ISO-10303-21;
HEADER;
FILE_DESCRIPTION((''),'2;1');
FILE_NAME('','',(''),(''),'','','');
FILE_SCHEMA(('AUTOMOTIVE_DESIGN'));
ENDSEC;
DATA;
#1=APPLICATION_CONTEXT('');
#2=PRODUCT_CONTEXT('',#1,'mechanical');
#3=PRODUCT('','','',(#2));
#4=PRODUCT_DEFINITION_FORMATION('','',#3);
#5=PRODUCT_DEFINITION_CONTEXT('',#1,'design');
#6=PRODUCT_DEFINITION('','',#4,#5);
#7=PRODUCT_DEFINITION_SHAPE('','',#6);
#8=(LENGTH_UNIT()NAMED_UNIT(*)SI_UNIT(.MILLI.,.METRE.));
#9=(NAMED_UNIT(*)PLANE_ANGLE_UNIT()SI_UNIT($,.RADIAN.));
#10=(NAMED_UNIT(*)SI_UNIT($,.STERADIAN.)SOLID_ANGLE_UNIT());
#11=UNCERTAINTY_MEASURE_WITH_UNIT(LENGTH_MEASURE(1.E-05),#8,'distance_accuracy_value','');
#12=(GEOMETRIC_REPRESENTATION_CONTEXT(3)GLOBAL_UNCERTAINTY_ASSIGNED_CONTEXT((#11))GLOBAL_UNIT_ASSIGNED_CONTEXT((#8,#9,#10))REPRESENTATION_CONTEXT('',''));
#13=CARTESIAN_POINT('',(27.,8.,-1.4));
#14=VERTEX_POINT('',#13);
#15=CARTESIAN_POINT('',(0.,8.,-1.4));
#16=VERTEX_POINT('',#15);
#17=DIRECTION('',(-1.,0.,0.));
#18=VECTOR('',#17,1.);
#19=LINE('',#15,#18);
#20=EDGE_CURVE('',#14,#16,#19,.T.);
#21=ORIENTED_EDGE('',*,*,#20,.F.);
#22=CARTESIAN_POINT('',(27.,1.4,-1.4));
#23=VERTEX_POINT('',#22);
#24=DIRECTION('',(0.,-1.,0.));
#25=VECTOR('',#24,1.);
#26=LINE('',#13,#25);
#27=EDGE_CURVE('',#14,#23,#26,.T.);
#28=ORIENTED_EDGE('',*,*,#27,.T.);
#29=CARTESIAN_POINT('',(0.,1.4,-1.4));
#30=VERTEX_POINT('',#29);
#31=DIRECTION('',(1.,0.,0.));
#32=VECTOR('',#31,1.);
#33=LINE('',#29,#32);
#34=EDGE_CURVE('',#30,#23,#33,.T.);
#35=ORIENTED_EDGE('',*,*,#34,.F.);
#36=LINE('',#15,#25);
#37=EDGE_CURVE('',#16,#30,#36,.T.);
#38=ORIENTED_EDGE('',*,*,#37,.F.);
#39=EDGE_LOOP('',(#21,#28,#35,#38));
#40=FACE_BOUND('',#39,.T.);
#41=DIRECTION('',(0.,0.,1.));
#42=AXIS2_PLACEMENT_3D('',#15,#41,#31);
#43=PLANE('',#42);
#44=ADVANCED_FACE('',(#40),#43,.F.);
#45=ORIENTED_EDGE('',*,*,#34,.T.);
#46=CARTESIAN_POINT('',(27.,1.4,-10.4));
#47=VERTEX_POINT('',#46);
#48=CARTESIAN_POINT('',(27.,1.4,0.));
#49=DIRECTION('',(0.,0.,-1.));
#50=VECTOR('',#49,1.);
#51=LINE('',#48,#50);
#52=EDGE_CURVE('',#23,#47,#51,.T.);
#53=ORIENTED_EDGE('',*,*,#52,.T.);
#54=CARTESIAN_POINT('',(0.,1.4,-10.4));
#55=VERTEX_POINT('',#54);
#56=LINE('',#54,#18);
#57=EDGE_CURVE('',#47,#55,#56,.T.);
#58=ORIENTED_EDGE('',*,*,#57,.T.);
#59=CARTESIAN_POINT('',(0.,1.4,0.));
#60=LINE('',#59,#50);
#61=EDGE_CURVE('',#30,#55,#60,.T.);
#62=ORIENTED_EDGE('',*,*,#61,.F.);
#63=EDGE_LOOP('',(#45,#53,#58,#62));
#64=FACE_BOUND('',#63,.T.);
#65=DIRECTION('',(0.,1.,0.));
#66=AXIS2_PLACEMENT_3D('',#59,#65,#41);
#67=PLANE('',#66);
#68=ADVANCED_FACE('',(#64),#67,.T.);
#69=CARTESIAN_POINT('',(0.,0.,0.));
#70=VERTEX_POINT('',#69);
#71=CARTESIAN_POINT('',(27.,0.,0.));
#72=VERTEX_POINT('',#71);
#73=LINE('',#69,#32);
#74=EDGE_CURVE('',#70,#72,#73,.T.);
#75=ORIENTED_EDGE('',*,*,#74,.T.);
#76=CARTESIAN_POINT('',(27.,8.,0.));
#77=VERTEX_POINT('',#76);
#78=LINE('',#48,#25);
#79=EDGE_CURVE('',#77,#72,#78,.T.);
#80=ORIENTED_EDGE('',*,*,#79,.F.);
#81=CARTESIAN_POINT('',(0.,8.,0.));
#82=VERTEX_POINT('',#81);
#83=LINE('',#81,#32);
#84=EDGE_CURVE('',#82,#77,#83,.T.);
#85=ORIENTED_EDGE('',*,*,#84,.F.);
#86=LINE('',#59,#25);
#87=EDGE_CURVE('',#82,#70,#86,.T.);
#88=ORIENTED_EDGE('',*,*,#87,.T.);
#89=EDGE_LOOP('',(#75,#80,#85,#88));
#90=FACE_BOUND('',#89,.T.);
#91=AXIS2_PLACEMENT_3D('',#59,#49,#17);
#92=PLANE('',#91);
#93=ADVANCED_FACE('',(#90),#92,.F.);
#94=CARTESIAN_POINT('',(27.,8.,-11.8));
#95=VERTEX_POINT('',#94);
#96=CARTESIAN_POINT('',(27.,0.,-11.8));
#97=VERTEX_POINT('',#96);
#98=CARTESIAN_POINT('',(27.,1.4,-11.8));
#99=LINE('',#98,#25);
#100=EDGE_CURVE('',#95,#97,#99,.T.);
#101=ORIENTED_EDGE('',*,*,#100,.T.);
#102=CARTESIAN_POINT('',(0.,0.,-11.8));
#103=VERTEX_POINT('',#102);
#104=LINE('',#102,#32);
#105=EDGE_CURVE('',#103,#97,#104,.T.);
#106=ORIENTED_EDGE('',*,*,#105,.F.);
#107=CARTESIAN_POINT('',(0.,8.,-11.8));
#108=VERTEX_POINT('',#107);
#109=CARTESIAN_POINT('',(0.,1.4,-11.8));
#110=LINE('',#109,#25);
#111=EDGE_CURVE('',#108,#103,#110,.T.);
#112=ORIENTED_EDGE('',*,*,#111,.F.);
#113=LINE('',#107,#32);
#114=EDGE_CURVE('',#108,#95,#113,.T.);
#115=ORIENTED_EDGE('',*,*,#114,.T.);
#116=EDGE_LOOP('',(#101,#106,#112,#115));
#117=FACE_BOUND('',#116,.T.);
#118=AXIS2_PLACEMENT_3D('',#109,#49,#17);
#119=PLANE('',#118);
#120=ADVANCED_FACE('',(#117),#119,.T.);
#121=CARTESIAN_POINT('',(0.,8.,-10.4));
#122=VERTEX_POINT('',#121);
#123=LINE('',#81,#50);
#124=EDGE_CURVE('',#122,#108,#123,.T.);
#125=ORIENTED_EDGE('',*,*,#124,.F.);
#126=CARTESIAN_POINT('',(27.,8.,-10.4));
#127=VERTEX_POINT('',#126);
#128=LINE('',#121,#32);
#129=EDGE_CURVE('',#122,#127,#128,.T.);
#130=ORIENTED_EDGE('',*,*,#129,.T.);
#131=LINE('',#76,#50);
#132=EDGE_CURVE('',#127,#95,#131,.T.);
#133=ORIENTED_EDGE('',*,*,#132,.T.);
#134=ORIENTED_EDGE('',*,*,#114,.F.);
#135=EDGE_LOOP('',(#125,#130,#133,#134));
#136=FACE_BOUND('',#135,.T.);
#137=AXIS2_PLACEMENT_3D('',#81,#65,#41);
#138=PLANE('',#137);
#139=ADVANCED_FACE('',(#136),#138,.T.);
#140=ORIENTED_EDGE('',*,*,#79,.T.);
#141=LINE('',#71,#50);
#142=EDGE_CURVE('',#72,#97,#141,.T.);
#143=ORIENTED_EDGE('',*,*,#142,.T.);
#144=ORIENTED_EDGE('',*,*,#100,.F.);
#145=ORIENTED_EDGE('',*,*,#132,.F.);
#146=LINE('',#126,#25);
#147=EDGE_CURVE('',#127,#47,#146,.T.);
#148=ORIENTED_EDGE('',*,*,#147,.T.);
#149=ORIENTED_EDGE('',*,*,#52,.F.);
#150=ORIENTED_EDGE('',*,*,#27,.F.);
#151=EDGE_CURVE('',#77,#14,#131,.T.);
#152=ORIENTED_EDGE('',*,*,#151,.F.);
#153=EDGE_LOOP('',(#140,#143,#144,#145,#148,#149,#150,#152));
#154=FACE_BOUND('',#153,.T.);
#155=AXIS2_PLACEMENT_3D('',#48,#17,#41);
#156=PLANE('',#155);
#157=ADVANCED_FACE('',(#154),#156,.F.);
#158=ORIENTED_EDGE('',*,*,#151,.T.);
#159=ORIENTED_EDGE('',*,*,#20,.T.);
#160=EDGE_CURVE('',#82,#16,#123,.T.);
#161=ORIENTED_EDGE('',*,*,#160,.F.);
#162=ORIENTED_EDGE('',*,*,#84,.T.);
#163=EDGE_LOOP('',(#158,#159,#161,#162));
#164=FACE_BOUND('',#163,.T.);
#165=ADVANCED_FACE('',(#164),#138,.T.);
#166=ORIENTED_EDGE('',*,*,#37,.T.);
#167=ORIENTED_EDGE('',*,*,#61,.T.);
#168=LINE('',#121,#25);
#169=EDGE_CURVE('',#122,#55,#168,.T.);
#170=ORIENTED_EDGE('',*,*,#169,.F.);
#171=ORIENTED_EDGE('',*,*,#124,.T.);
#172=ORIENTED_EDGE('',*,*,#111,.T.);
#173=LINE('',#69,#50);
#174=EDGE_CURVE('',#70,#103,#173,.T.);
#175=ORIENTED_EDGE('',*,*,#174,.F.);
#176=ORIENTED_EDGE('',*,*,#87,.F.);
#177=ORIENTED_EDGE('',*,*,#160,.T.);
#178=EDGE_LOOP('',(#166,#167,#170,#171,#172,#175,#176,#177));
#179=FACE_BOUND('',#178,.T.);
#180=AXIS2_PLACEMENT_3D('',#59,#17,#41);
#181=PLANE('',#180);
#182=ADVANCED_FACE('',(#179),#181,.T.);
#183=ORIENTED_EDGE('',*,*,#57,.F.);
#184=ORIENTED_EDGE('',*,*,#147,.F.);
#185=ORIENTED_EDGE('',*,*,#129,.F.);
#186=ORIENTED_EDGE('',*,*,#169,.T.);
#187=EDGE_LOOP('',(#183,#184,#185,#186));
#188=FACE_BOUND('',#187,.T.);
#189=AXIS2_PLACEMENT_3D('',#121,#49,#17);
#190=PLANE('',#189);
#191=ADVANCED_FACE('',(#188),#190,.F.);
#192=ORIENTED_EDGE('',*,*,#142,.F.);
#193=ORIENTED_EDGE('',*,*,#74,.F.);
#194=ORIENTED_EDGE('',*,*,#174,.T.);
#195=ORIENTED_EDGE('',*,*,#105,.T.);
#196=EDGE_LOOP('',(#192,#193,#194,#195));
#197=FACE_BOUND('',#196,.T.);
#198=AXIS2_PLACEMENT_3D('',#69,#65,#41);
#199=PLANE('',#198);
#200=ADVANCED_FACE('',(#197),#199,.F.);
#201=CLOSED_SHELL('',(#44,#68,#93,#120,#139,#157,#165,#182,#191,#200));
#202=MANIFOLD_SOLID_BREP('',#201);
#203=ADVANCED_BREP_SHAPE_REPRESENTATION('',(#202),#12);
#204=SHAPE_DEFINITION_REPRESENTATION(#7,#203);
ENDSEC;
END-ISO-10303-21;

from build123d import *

# Parameters (mm, degrees)
SKETCH_1_W      = 27
SKETCH_1_H      = 11.8
BOTTOM_DEPTH    = 1.4
SKETCH_1_3_W    = 27
SKETCH_1_3_H    = 1.4
EXTRUDE_2_DEPTH = 8


with BuildPart() as part:
    # Эскиз1 → Bottom (new body)
    with BuildSketch(Plane(origin=(0, 0, 0), x_dir=(1, 0, 0), z_dir=(0, 1, 0))):
        with Locations((13.5, 5.9)):
            Rectangle(SKETCH_1_W, SKETCH_1_H)
    extrude(amount=BOTTOM_DEPTH)

    # Эскиз1<3> → Бобышка-Вытянуть2 (add)
    with BuildSketch(Plane(origin=(0, 0, 0), x_dir=(1, 0, 0), z_dir=(0, 1, 0))):
        with Locations((13.5, 11.1)):
            Rectangle(SKETCH_1_3_W, SKETCH_1_3_H)
        with Locations((13.5, 0.7)):
            Rectangle(SKETCH_1_3_W, SKETCH_1_3_H)
    extrude(amount=EXTRUDE_2_DEPTH)


solid = part.part
